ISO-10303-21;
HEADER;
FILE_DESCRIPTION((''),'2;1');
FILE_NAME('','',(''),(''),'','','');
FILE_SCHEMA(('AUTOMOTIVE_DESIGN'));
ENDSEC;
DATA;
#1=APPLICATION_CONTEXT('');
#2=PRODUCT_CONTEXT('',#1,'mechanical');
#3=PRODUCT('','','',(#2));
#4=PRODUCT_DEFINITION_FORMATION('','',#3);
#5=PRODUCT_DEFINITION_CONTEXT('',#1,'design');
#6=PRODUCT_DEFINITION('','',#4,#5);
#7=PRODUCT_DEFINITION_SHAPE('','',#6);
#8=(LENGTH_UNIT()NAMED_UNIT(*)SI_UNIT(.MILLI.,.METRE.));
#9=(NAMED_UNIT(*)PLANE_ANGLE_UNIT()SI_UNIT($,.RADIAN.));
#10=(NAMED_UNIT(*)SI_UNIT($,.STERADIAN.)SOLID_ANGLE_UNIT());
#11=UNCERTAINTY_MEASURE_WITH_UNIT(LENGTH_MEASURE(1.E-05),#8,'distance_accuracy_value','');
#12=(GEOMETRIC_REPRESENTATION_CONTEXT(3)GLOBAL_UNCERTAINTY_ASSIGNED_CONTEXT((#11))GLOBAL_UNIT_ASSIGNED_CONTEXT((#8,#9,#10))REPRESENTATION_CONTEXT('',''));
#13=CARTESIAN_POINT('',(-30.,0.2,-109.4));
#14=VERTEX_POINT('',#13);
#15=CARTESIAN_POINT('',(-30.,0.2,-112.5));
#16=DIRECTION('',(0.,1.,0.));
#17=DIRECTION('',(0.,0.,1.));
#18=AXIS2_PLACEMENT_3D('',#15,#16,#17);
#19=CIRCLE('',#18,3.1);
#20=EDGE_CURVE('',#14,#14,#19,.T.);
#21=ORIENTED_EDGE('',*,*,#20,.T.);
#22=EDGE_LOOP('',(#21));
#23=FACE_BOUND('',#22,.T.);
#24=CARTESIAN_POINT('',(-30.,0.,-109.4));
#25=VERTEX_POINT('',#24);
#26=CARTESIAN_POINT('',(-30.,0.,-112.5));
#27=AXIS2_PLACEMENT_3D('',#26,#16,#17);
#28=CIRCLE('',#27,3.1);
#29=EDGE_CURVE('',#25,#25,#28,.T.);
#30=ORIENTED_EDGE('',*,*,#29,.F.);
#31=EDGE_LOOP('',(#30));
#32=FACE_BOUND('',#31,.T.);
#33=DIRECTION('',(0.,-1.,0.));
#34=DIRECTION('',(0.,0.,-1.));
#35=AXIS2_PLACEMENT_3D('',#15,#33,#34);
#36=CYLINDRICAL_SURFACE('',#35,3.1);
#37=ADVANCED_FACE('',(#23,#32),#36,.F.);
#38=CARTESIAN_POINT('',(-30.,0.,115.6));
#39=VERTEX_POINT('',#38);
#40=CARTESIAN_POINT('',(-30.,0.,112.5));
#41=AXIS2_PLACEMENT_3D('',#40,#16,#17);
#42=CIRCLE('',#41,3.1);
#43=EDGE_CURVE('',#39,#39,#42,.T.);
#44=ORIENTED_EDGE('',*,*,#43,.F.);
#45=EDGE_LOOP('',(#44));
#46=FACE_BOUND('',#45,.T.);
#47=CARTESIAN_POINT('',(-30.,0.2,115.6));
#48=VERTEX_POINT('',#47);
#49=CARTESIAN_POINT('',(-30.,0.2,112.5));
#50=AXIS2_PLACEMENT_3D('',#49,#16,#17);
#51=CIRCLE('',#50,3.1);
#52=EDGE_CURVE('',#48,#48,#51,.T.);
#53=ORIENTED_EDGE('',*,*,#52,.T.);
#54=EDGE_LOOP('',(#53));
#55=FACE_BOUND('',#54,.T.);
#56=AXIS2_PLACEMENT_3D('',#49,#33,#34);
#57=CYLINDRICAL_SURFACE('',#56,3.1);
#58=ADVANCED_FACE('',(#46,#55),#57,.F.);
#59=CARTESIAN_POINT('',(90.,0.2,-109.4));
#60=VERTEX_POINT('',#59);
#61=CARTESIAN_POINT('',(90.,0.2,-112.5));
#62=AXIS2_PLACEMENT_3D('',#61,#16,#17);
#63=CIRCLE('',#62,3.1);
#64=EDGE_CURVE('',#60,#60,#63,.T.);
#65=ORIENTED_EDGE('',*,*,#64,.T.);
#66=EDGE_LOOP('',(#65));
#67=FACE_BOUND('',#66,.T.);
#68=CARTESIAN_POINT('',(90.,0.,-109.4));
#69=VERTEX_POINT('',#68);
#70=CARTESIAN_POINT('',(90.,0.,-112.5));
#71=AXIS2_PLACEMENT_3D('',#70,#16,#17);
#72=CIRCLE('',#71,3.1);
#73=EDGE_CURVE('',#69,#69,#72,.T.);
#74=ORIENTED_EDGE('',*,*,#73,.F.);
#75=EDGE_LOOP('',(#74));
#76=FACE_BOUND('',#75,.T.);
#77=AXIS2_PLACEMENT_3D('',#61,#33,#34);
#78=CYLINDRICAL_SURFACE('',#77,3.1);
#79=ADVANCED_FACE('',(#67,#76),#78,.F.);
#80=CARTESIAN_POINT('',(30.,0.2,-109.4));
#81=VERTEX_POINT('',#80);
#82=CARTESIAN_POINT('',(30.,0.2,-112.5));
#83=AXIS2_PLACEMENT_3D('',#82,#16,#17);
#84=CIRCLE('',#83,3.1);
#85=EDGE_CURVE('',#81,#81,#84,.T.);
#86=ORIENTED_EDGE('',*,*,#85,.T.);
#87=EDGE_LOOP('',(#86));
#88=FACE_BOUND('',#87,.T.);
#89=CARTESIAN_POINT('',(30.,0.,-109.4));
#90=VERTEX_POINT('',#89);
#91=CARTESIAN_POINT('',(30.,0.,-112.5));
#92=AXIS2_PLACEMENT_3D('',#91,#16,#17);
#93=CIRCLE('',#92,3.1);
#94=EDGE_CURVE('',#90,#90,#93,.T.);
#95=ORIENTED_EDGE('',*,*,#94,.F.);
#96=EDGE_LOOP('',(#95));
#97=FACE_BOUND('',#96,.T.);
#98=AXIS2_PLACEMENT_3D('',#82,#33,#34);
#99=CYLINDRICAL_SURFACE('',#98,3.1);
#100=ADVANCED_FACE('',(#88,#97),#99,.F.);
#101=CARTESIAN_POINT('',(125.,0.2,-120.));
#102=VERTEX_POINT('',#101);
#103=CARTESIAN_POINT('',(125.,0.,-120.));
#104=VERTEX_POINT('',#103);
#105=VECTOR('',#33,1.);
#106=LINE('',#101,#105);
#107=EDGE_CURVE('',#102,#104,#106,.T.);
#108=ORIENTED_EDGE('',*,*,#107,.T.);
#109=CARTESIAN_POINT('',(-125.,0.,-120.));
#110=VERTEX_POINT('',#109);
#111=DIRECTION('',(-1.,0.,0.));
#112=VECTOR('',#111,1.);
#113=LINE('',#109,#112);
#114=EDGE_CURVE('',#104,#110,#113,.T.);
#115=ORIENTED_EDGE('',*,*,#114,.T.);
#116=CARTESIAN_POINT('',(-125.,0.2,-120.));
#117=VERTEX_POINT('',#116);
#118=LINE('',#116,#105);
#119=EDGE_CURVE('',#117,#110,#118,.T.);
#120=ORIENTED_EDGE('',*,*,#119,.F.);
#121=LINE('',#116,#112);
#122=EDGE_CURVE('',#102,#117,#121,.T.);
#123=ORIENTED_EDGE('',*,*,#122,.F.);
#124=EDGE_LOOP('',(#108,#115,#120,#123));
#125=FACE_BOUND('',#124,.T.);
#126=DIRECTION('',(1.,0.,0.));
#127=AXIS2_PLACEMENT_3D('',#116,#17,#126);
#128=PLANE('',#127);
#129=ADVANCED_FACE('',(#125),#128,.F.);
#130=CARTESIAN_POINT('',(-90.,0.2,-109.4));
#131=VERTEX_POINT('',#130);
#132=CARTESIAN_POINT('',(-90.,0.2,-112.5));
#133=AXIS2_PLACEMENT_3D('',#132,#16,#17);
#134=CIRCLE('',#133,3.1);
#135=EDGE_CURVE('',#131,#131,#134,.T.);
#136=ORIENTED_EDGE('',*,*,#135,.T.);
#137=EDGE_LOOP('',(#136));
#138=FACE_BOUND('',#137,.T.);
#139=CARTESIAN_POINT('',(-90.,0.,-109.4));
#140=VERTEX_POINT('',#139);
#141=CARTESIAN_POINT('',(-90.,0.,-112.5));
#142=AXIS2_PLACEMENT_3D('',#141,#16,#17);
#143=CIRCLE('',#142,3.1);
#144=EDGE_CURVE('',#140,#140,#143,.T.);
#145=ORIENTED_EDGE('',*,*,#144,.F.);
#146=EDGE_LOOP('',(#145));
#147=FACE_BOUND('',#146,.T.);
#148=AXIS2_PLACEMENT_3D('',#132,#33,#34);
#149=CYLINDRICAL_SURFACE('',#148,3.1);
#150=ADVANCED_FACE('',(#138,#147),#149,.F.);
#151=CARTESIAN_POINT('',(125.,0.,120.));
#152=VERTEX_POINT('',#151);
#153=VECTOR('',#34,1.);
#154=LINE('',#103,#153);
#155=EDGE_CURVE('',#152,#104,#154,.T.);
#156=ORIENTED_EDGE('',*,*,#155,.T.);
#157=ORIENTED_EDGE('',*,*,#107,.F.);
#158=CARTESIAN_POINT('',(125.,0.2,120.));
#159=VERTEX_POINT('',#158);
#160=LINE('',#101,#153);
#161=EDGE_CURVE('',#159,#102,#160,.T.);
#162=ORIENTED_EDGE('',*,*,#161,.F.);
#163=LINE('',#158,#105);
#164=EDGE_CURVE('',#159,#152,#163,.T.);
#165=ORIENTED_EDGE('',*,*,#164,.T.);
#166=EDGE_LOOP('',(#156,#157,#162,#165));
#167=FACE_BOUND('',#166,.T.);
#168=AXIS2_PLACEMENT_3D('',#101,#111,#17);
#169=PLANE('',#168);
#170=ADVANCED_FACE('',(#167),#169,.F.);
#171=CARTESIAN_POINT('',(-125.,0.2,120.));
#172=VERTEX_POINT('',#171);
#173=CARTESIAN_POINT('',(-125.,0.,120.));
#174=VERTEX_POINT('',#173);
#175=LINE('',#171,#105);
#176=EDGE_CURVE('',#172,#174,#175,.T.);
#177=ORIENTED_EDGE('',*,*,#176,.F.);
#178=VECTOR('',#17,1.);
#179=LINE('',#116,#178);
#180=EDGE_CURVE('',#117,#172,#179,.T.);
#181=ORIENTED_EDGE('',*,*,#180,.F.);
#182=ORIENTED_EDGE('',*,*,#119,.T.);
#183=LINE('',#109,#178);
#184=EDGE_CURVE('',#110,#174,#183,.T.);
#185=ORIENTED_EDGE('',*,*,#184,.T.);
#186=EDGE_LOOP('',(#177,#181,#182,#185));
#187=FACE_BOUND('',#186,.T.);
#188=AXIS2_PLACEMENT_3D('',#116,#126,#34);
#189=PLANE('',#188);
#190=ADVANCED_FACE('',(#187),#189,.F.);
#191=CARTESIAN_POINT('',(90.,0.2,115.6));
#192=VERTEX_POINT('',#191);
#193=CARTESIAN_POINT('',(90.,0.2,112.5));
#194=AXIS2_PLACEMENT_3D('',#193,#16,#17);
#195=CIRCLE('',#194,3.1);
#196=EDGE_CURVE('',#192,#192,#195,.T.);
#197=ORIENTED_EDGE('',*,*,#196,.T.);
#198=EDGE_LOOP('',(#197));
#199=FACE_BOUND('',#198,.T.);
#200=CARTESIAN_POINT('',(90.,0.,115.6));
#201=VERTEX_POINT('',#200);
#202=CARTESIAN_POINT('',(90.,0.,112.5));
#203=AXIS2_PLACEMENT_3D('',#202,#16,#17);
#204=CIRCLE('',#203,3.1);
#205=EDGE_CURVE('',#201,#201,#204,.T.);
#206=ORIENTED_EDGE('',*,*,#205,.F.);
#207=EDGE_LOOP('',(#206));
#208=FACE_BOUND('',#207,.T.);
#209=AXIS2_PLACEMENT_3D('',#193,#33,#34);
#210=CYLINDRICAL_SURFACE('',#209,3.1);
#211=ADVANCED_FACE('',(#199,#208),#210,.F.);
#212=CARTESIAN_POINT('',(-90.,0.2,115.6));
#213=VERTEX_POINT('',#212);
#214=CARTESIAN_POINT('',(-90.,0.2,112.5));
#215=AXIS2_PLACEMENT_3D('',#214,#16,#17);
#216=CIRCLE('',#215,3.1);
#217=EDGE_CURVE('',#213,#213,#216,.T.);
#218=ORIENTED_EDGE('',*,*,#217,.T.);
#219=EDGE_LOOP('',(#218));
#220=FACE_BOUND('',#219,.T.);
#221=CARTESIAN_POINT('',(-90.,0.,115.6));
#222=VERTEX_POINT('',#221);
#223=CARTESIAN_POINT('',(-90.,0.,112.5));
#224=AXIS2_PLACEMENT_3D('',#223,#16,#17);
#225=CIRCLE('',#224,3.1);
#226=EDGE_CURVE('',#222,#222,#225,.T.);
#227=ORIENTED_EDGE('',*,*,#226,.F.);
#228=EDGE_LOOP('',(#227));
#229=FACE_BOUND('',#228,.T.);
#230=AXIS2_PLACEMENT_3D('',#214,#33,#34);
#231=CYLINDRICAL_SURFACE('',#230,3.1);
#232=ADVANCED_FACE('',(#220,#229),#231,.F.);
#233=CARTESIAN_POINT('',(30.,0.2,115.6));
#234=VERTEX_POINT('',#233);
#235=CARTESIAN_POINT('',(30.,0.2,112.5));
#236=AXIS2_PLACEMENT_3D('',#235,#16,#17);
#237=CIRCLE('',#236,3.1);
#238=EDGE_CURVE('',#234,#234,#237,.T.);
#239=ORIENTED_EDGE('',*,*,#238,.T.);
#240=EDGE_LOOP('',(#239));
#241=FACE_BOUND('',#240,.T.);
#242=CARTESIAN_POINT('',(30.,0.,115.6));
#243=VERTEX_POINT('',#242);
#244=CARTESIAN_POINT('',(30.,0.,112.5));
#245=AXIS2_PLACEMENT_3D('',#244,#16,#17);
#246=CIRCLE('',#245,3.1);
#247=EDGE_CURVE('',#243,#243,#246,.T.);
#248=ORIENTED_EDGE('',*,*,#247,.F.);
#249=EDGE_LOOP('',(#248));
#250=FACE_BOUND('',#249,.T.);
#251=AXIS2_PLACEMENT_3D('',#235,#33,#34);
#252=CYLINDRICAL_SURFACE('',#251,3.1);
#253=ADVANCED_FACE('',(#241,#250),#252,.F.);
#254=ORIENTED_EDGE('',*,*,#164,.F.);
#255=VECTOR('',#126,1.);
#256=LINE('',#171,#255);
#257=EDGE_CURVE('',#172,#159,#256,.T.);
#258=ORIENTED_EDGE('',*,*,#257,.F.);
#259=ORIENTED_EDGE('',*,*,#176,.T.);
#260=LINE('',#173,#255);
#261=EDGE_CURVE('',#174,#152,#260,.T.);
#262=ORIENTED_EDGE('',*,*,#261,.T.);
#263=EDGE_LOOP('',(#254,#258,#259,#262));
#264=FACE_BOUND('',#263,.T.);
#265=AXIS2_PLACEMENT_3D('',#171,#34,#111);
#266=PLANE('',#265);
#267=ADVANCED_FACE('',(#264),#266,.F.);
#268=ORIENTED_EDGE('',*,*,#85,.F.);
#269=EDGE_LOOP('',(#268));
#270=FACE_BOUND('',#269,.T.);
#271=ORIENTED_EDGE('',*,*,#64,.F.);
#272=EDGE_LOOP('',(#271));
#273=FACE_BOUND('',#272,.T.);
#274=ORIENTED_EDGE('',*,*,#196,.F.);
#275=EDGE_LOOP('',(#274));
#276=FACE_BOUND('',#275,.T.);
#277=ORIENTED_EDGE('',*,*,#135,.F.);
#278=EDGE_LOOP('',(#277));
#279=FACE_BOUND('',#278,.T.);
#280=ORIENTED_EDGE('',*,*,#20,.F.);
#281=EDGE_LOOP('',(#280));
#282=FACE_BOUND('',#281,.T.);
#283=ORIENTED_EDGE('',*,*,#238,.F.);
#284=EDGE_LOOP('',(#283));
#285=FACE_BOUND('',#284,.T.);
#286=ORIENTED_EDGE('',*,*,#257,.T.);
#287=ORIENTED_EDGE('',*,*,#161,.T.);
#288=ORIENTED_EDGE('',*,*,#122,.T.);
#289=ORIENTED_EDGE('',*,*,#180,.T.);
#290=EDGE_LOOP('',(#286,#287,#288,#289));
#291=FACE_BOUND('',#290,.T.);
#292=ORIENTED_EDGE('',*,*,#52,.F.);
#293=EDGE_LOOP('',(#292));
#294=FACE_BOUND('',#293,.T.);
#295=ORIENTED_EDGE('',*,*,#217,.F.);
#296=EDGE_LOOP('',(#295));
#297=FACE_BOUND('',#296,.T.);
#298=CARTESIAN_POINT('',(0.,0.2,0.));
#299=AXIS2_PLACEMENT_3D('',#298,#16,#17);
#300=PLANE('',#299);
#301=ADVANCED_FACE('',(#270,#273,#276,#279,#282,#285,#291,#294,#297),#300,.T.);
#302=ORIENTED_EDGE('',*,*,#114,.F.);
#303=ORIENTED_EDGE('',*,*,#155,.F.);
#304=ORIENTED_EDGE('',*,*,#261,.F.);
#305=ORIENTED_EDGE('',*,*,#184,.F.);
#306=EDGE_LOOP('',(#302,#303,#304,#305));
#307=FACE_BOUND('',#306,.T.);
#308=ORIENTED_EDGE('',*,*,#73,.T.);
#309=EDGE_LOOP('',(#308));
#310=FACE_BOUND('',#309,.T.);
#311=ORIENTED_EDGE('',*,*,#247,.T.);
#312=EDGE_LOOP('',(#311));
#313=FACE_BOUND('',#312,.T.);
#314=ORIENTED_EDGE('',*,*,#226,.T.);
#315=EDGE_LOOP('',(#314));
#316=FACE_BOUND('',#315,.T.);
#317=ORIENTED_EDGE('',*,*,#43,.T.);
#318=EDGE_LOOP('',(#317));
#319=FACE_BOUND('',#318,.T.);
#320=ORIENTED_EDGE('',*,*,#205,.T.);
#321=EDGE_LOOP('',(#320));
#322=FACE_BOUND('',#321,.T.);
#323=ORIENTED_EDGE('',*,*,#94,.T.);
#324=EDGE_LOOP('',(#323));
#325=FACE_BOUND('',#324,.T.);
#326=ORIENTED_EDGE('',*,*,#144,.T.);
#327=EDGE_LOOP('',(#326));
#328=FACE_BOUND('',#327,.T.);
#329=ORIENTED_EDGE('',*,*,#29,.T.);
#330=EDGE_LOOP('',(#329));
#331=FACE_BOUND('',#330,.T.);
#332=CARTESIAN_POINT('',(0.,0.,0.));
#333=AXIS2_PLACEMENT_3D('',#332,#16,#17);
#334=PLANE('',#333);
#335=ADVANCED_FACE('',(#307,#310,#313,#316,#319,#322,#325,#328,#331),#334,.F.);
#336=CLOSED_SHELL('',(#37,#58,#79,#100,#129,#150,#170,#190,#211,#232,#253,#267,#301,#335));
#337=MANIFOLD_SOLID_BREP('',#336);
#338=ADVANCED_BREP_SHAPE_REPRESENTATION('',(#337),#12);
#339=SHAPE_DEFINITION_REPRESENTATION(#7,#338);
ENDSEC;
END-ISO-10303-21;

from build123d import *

# Parameters (mm, degrees)
SKETCH_1_W        = 250
SKETCH_1_H        = 240
SKETCH_1_R        = 3.1
EXTRUDE_421_DEPTH = 0.2


with BuildPart() as part:
    # Эскиз1 → Extrude 421 (new body)
    with BuildSketch(Plane(origin=(0, 0, 0), x_dir=(1, 0, 0), z_dir=(0, 1, 0))):
        Rectangle(SKETCH_1_W, SKETCH_1_H)
        with Locations(Location((-90, 112.5, 0), (0, 0, 270))):
            Circle(SKETCH_1_R, mode=Mode.SUBTRACT)
        with Locations(Location((-30, 112.5, 0), (0, 0, 270))):
            Circle(SKETCH_1_R, mode=Mode.SUBTRACT)
        with Locations(Location((30, 112.5, 0), (0, 0, 270))):
            Circle(SKETCH_1_R, mode=Mode.SUBTRACT)
        with Locations(Location((90, 112.5, 0), (0, 0, 270))):
            Circle(SKETCH_1_R, mode=Mode.SUBTRACT)
        with Locations(Location((90, -112.5, 0), (0, 0, 270))):
            Circle(SKETCH_1_R, mode=Mode.SUBTRACT)
        with Locations(Location((30, -112.5, 0), (0, 0, 270))):
            Circle(SKETCH_1_R, mode=Mode.SUBTRACT)
        with Locations(Location((-30, -112.5, 0), (0, 0, 270))):
            Circle(SKETCH_1_R, mode=Mode.SUBTRACT)
        with Locations(Location((-90, -112.5, 0), (0, 0, 270))):
            Circle(SKETCH_1_R, mode=Mode.SUBTRACT)
    extrude(amount=EXTRUDE_421_DEPTH)


solid = part.part
